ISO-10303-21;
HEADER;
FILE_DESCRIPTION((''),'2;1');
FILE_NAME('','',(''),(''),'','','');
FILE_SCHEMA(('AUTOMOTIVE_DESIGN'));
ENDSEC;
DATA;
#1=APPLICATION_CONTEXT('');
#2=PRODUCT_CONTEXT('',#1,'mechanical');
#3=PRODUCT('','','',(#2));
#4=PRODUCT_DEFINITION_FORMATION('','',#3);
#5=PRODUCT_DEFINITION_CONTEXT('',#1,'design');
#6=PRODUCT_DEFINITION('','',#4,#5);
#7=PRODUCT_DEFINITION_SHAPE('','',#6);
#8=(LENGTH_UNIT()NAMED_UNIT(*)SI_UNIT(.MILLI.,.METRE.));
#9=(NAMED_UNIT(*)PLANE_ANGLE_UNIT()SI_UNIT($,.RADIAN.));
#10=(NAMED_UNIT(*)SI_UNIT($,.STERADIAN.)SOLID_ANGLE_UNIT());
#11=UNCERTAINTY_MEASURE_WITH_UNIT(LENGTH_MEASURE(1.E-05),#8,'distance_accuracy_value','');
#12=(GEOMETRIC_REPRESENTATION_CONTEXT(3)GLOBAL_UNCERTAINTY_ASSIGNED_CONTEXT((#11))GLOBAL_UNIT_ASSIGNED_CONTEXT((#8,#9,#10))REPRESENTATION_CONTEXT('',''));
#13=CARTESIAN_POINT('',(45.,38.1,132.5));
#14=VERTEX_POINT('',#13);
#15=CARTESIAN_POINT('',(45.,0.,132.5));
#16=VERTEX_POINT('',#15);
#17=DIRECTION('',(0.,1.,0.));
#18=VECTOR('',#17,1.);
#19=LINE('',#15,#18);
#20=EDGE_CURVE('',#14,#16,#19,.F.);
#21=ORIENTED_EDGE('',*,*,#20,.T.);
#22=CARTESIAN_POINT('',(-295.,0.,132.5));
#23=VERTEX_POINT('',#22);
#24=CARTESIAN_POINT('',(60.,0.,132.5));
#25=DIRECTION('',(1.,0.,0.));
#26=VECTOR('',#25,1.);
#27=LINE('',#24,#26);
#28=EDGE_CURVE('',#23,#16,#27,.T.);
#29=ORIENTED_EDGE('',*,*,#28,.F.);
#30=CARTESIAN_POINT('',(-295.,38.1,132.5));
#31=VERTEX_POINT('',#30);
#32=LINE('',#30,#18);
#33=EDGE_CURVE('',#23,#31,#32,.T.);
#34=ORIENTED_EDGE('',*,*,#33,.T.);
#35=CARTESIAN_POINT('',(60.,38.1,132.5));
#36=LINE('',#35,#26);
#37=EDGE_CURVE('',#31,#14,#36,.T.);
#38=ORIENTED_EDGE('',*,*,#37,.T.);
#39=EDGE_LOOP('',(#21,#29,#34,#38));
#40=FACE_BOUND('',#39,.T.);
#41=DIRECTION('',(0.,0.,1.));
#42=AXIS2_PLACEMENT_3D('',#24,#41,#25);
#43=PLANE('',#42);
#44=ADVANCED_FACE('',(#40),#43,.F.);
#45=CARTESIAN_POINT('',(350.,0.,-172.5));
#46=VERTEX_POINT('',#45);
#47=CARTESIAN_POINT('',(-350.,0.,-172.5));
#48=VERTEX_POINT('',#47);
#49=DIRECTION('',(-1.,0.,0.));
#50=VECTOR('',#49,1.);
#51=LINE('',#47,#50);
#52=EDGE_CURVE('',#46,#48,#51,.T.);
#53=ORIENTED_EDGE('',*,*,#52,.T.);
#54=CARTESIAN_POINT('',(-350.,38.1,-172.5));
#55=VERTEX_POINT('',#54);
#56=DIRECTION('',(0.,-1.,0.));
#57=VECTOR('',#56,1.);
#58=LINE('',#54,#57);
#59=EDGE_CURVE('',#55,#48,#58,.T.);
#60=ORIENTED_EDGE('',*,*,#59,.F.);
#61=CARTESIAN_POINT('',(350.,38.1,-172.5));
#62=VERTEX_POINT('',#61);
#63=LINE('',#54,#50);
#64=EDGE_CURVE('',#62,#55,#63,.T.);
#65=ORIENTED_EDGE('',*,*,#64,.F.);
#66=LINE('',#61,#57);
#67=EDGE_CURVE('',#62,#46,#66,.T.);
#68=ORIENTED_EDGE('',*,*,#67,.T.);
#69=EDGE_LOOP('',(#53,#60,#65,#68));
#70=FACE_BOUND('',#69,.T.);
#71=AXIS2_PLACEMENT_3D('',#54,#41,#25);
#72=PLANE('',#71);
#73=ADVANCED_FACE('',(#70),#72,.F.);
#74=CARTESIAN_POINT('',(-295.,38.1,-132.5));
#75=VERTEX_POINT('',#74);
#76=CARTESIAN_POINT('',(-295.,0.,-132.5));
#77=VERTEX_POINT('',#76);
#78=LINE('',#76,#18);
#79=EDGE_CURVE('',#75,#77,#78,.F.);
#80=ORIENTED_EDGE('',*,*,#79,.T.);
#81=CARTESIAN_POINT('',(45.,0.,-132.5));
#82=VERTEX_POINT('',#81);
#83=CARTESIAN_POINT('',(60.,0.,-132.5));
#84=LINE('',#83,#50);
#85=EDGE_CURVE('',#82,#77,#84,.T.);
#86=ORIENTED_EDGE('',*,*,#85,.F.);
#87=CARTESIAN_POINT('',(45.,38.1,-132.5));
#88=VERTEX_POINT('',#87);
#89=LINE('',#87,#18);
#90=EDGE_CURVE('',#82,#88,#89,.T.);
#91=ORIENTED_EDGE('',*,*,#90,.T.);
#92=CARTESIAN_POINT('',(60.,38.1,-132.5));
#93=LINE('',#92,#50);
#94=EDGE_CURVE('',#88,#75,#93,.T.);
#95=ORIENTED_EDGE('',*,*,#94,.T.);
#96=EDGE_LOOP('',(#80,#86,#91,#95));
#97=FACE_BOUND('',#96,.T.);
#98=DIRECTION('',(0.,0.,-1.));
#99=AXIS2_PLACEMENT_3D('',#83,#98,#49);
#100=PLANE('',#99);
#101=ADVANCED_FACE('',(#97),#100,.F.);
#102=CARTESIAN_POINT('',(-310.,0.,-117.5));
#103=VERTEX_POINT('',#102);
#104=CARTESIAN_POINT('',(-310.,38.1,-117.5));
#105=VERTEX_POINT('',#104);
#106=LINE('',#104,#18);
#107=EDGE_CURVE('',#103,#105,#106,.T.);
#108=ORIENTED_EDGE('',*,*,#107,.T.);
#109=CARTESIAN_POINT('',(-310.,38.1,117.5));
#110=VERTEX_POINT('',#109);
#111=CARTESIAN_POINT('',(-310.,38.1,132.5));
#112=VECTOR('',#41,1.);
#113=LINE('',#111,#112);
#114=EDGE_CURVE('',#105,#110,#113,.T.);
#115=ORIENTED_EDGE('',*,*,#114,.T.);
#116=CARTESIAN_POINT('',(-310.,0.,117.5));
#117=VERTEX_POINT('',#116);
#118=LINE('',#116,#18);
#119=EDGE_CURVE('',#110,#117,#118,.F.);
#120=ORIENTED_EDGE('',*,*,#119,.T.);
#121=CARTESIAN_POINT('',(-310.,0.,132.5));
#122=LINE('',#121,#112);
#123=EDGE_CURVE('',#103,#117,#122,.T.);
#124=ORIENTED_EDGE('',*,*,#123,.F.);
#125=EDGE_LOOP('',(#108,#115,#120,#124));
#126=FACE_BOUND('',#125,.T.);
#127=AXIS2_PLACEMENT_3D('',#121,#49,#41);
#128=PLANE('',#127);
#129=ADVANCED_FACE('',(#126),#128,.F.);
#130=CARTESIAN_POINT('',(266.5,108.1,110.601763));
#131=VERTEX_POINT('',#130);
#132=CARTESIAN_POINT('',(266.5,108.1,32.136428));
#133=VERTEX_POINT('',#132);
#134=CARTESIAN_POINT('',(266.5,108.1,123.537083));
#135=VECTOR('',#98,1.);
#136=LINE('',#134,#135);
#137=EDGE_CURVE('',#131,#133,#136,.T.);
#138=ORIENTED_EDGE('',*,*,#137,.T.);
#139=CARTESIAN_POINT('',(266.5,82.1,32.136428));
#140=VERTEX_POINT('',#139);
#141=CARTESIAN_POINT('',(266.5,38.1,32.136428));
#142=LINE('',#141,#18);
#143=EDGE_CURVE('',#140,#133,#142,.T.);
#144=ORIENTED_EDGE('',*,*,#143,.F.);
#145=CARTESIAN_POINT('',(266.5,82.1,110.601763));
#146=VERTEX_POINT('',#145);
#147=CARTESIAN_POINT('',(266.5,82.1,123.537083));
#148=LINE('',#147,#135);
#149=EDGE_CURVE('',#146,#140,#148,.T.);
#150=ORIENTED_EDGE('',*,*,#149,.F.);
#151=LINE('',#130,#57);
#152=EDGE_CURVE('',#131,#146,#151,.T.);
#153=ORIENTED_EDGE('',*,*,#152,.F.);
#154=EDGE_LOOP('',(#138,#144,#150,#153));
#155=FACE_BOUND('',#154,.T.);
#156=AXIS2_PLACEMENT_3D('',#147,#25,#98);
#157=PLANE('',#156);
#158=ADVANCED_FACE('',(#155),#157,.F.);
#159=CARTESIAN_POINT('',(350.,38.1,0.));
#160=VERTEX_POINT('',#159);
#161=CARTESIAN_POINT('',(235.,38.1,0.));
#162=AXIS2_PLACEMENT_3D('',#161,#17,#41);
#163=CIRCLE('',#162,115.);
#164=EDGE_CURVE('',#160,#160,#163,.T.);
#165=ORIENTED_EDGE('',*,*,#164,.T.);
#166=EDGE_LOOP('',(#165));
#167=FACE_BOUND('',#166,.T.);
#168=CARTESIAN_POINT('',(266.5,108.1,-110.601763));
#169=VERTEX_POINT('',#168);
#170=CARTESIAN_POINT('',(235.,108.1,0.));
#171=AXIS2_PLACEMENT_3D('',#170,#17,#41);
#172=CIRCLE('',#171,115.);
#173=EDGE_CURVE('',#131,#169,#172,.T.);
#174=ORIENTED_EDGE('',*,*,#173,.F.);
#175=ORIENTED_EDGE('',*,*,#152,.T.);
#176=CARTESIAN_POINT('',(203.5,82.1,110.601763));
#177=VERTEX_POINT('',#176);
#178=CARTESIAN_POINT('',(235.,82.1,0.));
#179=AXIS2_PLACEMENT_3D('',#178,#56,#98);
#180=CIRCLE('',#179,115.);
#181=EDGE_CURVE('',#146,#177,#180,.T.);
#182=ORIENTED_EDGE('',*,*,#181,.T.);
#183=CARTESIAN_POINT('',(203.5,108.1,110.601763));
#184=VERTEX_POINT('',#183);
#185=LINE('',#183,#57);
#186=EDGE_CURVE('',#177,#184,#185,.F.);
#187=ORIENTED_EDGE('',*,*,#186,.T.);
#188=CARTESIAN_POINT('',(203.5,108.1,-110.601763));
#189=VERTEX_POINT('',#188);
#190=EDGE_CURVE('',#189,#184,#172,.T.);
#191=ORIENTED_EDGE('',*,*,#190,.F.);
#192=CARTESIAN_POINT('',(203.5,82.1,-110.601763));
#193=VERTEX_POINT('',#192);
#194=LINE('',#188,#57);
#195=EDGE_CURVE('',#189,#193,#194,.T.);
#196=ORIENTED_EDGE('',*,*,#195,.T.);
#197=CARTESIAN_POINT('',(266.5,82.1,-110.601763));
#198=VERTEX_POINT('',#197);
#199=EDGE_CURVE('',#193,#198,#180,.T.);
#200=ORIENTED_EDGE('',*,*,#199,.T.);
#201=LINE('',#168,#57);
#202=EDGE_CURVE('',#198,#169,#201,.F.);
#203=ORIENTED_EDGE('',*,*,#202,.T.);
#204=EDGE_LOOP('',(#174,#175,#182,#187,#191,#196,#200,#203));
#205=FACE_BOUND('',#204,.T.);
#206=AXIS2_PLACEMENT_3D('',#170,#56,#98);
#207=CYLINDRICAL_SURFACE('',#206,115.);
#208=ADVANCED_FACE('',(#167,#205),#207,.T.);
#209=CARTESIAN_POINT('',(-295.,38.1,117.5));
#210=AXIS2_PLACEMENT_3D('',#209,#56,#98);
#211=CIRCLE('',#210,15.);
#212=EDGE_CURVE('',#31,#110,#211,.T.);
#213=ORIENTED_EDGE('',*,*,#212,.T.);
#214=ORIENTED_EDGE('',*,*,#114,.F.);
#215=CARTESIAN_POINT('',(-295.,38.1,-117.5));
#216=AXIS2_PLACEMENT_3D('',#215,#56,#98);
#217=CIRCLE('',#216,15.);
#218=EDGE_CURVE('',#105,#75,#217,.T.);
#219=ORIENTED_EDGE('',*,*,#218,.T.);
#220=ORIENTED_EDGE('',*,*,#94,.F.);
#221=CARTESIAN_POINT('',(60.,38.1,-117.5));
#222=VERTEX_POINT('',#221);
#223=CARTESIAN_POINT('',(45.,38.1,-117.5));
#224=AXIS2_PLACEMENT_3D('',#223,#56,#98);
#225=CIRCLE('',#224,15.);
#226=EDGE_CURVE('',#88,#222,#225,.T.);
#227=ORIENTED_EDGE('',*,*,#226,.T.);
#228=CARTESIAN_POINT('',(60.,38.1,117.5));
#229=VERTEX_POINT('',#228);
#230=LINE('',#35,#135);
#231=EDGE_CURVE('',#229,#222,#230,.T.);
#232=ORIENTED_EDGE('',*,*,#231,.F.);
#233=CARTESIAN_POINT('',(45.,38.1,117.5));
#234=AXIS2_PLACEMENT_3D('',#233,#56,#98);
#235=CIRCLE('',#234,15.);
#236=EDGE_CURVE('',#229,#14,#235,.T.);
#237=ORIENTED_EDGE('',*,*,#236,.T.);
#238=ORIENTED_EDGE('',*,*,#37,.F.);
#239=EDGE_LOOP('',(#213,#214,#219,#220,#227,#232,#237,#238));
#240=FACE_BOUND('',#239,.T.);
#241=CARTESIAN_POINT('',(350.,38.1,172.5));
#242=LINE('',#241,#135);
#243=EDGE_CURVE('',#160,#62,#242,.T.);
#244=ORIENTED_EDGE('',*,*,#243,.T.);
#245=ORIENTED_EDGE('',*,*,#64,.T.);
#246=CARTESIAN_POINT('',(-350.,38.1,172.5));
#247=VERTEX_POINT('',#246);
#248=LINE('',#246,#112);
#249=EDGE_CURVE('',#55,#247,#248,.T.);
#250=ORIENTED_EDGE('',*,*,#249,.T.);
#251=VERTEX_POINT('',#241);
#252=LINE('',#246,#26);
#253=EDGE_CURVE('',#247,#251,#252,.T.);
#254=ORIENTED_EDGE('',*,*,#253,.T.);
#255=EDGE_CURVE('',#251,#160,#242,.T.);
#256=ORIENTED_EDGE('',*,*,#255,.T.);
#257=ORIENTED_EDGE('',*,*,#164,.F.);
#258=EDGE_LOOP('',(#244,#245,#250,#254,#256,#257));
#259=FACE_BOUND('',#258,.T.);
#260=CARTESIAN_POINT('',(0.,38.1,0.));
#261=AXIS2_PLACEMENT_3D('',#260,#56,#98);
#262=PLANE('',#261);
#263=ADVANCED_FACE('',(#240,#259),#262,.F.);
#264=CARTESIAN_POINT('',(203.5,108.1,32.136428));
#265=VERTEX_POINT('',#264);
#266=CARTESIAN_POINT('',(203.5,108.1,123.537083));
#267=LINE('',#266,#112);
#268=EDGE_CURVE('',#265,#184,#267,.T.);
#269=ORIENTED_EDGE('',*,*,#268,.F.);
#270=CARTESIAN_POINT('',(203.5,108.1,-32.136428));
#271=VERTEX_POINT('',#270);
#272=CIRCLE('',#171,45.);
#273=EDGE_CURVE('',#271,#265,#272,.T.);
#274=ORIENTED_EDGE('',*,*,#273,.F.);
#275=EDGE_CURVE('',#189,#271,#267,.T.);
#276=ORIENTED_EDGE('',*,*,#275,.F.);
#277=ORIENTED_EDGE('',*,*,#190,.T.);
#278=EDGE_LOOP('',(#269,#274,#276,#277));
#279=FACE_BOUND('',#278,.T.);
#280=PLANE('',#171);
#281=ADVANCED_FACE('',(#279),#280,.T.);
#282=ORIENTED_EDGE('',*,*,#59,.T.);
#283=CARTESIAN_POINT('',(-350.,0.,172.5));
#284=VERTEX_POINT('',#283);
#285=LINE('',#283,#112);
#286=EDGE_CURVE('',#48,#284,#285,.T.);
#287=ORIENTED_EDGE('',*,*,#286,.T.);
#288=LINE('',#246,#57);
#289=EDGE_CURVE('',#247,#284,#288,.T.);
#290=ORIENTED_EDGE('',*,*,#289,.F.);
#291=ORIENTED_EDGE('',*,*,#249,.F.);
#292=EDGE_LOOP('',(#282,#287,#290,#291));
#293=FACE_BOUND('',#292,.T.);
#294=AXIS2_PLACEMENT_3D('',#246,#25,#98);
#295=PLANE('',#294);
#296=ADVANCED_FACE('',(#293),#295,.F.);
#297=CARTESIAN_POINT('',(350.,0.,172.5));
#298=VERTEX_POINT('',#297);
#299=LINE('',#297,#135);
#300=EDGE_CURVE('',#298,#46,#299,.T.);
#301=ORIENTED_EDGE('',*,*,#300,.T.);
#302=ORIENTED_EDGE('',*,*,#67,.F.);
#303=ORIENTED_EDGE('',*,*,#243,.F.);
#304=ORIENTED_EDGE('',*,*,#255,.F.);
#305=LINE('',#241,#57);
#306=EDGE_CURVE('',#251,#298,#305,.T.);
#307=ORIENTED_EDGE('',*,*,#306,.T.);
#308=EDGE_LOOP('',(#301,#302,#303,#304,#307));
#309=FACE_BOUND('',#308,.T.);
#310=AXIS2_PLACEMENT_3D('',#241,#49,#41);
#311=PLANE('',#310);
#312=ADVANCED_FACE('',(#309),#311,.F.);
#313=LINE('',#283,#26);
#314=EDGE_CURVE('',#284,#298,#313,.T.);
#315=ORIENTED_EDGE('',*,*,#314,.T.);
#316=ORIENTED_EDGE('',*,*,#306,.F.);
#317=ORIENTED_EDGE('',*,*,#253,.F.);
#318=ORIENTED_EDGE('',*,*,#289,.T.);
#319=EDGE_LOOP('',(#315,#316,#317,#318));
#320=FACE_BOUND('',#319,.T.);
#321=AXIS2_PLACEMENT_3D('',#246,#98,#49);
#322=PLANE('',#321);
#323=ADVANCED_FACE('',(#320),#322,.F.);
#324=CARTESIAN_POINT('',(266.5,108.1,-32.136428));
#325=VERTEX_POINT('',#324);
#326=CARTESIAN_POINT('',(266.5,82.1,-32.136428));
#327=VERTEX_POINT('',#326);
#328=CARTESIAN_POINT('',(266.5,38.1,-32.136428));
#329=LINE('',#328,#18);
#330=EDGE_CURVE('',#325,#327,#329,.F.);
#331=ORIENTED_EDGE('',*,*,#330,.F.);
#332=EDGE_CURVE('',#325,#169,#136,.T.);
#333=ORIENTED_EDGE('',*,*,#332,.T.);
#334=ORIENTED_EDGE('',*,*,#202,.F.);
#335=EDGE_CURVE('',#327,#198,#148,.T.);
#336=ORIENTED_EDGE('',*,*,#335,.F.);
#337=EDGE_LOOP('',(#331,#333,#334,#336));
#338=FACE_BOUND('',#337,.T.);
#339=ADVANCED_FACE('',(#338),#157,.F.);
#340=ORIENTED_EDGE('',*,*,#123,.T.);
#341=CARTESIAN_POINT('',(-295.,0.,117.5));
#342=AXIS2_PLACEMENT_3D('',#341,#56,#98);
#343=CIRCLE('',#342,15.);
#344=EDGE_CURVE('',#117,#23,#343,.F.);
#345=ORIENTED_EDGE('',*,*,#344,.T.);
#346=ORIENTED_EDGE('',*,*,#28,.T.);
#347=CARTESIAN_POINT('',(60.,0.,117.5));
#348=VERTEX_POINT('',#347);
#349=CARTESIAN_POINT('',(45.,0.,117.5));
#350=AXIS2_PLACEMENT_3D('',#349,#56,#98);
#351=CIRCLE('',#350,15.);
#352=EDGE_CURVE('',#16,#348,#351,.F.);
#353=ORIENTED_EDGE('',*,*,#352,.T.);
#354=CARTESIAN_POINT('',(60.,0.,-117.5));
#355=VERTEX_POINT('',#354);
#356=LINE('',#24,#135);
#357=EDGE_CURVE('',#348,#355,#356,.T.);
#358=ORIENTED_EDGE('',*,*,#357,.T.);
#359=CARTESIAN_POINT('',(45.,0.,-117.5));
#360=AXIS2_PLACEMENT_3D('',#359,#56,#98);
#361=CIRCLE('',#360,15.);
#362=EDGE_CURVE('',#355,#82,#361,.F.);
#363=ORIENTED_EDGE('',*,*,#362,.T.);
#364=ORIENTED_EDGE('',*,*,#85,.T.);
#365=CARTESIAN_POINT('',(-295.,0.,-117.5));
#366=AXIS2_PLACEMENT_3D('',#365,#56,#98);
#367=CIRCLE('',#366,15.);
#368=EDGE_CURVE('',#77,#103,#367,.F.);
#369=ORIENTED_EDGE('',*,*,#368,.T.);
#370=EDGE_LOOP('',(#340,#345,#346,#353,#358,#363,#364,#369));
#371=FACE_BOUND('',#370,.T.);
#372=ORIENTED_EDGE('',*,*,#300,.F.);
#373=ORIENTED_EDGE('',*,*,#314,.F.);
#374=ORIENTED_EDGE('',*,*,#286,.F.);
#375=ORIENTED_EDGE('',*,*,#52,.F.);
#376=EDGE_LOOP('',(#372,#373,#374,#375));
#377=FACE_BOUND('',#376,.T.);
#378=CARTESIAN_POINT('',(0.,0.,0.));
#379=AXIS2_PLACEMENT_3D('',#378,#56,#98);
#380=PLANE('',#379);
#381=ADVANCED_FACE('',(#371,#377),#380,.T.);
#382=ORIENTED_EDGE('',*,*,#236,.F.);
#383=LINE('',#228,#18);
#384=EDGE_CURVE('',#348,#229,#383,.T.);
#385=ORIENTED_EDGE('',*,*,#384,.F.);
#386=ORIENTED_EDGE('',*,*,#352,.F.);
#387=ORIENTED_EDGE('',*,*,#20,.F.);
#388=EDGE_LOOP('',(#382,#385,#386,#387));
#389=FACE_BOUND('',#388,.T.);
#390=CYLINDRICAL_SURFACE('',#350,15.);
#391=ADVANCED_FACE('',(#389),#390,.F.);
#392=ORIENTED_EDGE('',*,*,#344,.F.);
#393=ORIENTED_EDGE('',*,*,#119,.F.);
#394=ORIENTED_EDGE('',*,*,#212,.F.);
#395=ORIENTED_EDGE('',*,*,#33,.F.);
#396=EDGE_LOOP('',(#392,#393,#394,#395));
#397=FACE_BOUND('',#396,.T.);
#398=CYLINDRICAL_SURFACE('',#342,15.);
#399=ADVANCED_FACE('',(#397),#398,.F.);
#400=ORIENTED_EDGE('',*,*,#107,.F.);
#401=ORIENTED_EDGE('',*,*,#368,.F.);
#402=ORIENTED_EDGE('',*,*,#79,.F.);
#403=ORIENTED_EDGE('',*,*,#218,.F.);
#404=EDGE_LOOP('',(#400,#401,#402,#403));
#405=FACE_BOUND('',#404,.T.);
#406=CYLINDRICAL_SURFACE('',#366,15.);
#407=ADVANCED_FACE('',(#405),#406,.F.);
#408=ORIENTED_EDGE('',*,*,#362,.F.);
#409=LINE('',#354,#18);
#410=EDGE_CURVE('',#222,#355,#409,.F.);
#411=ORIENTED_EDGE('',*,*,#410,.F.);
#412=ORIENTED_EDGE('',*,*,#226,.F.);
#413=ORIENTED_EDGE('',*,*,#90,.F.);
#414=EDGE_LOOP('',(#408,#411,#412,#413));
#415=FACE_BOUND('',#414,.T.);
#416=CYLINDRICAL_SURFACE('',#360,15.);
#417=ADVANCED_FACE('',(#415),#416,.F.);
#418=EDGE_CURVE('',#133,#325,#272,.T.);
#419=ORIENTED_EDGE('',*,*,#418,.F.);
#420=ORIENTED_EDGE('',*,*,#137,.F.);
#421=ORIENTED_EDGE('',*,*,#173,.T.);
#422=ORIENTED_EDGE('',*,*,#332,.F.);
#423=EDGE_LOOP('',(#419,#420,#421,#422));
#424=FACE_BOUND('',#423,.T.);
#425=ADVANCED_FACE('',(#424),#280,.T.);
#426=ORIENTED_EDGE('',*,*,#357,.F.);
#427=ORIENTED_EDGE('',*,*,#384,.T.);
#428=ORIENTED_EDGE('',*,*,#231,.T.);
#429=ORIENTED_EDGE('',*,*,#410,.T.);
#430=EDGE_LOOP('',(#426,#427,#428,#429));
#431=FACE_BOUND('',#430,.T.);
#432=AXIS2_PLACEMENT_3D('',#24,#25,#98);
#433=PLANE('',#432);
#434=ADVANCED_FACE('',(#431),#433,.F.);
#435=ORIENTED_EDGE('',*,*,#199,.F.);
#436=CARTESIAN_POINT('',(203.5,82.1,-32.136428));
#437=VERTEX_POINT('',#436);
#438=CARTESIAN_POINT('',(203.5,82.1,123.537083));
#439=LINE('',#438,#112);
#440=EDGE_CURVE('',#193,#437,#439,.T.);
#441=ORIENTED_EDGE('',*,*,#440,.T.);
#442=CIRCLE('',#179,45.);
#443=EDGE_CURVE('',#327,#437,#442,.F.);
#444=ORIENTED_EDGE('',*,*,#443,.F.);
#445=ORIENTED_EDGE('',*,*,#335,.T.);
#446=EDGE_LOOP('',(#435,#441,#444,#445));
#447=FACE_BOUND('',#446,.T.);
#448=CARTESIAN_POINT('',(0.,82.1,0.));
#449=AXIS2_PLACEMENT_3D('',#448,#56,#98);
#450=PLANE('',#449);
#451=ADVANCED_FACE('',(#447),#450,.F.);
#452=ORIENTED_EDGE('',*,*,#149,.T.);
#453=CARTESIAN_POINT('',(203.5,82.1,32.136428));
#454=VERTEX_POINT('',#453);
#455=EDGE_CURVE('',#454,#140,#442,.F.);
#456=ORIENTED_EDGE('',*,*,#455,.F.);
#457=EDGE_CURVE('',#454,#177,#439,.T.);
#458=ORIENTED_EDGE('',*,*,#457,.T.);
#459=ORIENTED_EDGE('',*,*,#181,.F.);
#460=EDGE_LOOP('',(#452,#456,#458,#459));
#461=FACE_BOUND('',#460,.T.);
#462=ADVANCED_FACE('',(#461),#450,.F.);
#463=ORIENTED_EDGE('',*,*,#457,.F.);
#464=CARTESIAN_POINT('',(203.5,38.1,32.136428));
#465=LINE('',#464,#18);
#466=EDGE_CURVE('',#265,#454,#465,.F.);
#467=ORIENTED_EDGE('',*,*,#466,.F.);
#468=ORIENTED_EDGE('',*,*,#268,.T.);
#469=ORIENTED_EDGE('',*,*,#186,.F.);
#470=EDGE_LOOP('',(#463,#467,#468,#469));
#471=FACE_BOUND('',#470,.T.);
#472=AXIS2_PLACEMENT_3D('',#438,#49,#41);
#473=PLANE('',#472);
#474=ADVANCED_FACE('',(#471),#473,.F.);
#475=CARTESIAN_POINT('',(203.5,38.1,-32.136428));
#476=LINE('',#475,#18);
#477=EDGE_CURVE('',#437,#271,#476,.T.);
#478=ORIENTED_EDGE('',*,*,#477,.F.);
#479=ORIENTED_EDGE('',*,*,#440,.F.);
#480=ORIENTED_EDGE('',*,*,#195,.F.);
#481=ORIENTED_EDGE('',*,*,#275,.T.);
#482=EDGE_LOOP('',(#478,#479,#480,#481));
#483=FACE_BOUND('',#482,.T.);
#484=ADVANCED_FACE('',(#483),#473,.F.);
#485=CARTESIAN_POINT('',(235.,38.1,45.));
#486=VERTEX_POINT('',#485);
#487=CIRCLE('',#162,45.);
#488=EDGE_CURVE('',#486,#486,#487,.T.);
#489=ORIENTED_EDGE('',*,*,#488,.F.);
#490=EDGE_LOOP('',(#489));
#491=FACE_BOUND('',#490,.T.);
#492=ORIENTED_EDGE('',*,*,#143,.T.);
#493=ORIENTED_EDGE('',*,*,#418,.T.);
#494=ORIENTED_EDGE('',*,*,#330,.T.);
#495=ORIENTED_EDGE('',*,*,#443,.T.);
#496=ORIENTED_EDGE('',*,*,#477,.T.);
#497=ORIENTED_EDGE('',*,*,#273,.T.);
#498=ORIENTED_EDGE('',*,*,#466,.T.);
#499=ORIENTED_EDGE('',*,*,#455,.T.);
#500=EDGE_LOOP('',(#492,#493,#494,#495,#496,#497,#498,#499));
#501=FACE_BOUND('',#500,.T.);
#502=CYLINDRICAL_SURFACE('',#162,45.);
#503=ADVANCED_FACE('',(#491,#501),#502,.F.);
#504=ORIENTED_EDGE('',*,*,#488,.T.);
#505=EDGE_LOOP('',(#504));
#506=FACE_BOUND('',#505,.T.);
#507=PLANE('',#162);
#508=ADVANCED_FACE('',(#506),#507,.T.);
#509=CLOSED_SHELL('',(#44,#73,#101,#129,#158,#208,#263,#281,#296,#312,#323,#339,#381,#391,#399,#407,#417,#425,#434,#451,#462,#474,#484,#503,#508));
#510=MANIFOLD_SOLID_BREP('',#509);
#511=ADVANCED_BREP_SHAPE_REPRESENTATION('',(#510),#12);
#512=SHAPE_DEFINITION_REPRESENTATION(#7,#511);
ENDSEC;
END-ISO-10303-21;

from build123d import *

# Parameters (mm, degrees)
CROQUIS1_W              = 700
CROQUIS1_H              = 345
SALIENTE_EXTRUIR1_DEPTH = 38.1
CROQUIS2_W              = 370
CROQUIS2_H              = 265
CORTAR_EXTRUIR1_DEPTH   = 38.1
REDONDEO1_R             = 15
CROQUIS3_R              = 115
SALIENTE_EXTRUIR2_DEPTH = 70
CROQUIS4_R              = 45
CORTAR_EXTRUIR2_DEPTH   = 70
CROQUIS5_W              = 63
CROQUIS5_H              = 247.074165674
CORTAR_EXTRUIR3_DEPTH   = 26


with BuildPart() as part:
    # Croquis1 → Saliente-Extruir1 (new body)
    with BuildSketch(Plane(origin=(0, 0, 0), x_dir=(1, 0, 0), z_dir=(0, 1, 0))):
        Rectangle(CROQUIS1_W, CROQUIS1_H)
    extrude(amount=SALIENTE_EXTRUIR1_DEPTH)

    # Croquis2 → Cortar-Extruir1 (cut)
    with BuildSketch(Plane(origin=(0, 38.1, 0), x_dir=(1, 0, 0), z_dir=(0, 1, 0))):
        with Locations((-125, 0)):
            Rectangle(CROQUIS2_W, CROQUIS2_H)
    extrude(amount=-CORTAR_EXTRUIR1_DEPTH, mode=Mode.SUBTRACT)

    # Redondeo1
    redondeo1_edges = [part.edges().sort_by_distance(p)[0] for p in [
        (-310, 19.05, 132.5),
        (-310, 19.05, -132.5),
        (60, 19.05, -132.5),
        (60, 19.05, 132.5),
    ]]
    fillet(redondeo1_edges, radius=REDONDEO1_R)

    # Croquis3 → Saliente-Extruir2 (add)
    with BuildSketch(Plane(origin=(0, 38.1, 0), x_dir=(1, 0, 0), z_dir=(0, 1, 0))):
        with Locations((235, 0)):
            Circle(CROQUIS3_R)
    extrude(amount=SALIENTE_EXTRUIR2_DEPTH)

    # Croquis4 → Cortar-Extruir2 (cut)
    with BuildSketch(Plane(origin=(0, 108.1, 0), x_dir=(1, 0, 0), z_dir=(0, 1, 0))):
        with Locations(Location((235, 0, 0), (0, 0, 270))):
            Circle(CROQUIS4_R)
    extrude(amount=-CORTAR_EXTRUIR2_DEPTH, mode=Mode.SUBTRACT)

    # Croquis5 → Cortar-Extruir3 (cut)
    with BuildSketch(Plane(origin=(0, 108.1, 0), x_dir=(1, 0, 0), z_dir=(0, 1, 0))):
        with Locations((235, 0)):
            Rectangle(CROQUIS5_W, CROQUIS5_H)
    extrude(amount=-CORTAR_EXTRUIR3_DEPTH, mode=Mode.SUBTRACT)


solid = part.part
